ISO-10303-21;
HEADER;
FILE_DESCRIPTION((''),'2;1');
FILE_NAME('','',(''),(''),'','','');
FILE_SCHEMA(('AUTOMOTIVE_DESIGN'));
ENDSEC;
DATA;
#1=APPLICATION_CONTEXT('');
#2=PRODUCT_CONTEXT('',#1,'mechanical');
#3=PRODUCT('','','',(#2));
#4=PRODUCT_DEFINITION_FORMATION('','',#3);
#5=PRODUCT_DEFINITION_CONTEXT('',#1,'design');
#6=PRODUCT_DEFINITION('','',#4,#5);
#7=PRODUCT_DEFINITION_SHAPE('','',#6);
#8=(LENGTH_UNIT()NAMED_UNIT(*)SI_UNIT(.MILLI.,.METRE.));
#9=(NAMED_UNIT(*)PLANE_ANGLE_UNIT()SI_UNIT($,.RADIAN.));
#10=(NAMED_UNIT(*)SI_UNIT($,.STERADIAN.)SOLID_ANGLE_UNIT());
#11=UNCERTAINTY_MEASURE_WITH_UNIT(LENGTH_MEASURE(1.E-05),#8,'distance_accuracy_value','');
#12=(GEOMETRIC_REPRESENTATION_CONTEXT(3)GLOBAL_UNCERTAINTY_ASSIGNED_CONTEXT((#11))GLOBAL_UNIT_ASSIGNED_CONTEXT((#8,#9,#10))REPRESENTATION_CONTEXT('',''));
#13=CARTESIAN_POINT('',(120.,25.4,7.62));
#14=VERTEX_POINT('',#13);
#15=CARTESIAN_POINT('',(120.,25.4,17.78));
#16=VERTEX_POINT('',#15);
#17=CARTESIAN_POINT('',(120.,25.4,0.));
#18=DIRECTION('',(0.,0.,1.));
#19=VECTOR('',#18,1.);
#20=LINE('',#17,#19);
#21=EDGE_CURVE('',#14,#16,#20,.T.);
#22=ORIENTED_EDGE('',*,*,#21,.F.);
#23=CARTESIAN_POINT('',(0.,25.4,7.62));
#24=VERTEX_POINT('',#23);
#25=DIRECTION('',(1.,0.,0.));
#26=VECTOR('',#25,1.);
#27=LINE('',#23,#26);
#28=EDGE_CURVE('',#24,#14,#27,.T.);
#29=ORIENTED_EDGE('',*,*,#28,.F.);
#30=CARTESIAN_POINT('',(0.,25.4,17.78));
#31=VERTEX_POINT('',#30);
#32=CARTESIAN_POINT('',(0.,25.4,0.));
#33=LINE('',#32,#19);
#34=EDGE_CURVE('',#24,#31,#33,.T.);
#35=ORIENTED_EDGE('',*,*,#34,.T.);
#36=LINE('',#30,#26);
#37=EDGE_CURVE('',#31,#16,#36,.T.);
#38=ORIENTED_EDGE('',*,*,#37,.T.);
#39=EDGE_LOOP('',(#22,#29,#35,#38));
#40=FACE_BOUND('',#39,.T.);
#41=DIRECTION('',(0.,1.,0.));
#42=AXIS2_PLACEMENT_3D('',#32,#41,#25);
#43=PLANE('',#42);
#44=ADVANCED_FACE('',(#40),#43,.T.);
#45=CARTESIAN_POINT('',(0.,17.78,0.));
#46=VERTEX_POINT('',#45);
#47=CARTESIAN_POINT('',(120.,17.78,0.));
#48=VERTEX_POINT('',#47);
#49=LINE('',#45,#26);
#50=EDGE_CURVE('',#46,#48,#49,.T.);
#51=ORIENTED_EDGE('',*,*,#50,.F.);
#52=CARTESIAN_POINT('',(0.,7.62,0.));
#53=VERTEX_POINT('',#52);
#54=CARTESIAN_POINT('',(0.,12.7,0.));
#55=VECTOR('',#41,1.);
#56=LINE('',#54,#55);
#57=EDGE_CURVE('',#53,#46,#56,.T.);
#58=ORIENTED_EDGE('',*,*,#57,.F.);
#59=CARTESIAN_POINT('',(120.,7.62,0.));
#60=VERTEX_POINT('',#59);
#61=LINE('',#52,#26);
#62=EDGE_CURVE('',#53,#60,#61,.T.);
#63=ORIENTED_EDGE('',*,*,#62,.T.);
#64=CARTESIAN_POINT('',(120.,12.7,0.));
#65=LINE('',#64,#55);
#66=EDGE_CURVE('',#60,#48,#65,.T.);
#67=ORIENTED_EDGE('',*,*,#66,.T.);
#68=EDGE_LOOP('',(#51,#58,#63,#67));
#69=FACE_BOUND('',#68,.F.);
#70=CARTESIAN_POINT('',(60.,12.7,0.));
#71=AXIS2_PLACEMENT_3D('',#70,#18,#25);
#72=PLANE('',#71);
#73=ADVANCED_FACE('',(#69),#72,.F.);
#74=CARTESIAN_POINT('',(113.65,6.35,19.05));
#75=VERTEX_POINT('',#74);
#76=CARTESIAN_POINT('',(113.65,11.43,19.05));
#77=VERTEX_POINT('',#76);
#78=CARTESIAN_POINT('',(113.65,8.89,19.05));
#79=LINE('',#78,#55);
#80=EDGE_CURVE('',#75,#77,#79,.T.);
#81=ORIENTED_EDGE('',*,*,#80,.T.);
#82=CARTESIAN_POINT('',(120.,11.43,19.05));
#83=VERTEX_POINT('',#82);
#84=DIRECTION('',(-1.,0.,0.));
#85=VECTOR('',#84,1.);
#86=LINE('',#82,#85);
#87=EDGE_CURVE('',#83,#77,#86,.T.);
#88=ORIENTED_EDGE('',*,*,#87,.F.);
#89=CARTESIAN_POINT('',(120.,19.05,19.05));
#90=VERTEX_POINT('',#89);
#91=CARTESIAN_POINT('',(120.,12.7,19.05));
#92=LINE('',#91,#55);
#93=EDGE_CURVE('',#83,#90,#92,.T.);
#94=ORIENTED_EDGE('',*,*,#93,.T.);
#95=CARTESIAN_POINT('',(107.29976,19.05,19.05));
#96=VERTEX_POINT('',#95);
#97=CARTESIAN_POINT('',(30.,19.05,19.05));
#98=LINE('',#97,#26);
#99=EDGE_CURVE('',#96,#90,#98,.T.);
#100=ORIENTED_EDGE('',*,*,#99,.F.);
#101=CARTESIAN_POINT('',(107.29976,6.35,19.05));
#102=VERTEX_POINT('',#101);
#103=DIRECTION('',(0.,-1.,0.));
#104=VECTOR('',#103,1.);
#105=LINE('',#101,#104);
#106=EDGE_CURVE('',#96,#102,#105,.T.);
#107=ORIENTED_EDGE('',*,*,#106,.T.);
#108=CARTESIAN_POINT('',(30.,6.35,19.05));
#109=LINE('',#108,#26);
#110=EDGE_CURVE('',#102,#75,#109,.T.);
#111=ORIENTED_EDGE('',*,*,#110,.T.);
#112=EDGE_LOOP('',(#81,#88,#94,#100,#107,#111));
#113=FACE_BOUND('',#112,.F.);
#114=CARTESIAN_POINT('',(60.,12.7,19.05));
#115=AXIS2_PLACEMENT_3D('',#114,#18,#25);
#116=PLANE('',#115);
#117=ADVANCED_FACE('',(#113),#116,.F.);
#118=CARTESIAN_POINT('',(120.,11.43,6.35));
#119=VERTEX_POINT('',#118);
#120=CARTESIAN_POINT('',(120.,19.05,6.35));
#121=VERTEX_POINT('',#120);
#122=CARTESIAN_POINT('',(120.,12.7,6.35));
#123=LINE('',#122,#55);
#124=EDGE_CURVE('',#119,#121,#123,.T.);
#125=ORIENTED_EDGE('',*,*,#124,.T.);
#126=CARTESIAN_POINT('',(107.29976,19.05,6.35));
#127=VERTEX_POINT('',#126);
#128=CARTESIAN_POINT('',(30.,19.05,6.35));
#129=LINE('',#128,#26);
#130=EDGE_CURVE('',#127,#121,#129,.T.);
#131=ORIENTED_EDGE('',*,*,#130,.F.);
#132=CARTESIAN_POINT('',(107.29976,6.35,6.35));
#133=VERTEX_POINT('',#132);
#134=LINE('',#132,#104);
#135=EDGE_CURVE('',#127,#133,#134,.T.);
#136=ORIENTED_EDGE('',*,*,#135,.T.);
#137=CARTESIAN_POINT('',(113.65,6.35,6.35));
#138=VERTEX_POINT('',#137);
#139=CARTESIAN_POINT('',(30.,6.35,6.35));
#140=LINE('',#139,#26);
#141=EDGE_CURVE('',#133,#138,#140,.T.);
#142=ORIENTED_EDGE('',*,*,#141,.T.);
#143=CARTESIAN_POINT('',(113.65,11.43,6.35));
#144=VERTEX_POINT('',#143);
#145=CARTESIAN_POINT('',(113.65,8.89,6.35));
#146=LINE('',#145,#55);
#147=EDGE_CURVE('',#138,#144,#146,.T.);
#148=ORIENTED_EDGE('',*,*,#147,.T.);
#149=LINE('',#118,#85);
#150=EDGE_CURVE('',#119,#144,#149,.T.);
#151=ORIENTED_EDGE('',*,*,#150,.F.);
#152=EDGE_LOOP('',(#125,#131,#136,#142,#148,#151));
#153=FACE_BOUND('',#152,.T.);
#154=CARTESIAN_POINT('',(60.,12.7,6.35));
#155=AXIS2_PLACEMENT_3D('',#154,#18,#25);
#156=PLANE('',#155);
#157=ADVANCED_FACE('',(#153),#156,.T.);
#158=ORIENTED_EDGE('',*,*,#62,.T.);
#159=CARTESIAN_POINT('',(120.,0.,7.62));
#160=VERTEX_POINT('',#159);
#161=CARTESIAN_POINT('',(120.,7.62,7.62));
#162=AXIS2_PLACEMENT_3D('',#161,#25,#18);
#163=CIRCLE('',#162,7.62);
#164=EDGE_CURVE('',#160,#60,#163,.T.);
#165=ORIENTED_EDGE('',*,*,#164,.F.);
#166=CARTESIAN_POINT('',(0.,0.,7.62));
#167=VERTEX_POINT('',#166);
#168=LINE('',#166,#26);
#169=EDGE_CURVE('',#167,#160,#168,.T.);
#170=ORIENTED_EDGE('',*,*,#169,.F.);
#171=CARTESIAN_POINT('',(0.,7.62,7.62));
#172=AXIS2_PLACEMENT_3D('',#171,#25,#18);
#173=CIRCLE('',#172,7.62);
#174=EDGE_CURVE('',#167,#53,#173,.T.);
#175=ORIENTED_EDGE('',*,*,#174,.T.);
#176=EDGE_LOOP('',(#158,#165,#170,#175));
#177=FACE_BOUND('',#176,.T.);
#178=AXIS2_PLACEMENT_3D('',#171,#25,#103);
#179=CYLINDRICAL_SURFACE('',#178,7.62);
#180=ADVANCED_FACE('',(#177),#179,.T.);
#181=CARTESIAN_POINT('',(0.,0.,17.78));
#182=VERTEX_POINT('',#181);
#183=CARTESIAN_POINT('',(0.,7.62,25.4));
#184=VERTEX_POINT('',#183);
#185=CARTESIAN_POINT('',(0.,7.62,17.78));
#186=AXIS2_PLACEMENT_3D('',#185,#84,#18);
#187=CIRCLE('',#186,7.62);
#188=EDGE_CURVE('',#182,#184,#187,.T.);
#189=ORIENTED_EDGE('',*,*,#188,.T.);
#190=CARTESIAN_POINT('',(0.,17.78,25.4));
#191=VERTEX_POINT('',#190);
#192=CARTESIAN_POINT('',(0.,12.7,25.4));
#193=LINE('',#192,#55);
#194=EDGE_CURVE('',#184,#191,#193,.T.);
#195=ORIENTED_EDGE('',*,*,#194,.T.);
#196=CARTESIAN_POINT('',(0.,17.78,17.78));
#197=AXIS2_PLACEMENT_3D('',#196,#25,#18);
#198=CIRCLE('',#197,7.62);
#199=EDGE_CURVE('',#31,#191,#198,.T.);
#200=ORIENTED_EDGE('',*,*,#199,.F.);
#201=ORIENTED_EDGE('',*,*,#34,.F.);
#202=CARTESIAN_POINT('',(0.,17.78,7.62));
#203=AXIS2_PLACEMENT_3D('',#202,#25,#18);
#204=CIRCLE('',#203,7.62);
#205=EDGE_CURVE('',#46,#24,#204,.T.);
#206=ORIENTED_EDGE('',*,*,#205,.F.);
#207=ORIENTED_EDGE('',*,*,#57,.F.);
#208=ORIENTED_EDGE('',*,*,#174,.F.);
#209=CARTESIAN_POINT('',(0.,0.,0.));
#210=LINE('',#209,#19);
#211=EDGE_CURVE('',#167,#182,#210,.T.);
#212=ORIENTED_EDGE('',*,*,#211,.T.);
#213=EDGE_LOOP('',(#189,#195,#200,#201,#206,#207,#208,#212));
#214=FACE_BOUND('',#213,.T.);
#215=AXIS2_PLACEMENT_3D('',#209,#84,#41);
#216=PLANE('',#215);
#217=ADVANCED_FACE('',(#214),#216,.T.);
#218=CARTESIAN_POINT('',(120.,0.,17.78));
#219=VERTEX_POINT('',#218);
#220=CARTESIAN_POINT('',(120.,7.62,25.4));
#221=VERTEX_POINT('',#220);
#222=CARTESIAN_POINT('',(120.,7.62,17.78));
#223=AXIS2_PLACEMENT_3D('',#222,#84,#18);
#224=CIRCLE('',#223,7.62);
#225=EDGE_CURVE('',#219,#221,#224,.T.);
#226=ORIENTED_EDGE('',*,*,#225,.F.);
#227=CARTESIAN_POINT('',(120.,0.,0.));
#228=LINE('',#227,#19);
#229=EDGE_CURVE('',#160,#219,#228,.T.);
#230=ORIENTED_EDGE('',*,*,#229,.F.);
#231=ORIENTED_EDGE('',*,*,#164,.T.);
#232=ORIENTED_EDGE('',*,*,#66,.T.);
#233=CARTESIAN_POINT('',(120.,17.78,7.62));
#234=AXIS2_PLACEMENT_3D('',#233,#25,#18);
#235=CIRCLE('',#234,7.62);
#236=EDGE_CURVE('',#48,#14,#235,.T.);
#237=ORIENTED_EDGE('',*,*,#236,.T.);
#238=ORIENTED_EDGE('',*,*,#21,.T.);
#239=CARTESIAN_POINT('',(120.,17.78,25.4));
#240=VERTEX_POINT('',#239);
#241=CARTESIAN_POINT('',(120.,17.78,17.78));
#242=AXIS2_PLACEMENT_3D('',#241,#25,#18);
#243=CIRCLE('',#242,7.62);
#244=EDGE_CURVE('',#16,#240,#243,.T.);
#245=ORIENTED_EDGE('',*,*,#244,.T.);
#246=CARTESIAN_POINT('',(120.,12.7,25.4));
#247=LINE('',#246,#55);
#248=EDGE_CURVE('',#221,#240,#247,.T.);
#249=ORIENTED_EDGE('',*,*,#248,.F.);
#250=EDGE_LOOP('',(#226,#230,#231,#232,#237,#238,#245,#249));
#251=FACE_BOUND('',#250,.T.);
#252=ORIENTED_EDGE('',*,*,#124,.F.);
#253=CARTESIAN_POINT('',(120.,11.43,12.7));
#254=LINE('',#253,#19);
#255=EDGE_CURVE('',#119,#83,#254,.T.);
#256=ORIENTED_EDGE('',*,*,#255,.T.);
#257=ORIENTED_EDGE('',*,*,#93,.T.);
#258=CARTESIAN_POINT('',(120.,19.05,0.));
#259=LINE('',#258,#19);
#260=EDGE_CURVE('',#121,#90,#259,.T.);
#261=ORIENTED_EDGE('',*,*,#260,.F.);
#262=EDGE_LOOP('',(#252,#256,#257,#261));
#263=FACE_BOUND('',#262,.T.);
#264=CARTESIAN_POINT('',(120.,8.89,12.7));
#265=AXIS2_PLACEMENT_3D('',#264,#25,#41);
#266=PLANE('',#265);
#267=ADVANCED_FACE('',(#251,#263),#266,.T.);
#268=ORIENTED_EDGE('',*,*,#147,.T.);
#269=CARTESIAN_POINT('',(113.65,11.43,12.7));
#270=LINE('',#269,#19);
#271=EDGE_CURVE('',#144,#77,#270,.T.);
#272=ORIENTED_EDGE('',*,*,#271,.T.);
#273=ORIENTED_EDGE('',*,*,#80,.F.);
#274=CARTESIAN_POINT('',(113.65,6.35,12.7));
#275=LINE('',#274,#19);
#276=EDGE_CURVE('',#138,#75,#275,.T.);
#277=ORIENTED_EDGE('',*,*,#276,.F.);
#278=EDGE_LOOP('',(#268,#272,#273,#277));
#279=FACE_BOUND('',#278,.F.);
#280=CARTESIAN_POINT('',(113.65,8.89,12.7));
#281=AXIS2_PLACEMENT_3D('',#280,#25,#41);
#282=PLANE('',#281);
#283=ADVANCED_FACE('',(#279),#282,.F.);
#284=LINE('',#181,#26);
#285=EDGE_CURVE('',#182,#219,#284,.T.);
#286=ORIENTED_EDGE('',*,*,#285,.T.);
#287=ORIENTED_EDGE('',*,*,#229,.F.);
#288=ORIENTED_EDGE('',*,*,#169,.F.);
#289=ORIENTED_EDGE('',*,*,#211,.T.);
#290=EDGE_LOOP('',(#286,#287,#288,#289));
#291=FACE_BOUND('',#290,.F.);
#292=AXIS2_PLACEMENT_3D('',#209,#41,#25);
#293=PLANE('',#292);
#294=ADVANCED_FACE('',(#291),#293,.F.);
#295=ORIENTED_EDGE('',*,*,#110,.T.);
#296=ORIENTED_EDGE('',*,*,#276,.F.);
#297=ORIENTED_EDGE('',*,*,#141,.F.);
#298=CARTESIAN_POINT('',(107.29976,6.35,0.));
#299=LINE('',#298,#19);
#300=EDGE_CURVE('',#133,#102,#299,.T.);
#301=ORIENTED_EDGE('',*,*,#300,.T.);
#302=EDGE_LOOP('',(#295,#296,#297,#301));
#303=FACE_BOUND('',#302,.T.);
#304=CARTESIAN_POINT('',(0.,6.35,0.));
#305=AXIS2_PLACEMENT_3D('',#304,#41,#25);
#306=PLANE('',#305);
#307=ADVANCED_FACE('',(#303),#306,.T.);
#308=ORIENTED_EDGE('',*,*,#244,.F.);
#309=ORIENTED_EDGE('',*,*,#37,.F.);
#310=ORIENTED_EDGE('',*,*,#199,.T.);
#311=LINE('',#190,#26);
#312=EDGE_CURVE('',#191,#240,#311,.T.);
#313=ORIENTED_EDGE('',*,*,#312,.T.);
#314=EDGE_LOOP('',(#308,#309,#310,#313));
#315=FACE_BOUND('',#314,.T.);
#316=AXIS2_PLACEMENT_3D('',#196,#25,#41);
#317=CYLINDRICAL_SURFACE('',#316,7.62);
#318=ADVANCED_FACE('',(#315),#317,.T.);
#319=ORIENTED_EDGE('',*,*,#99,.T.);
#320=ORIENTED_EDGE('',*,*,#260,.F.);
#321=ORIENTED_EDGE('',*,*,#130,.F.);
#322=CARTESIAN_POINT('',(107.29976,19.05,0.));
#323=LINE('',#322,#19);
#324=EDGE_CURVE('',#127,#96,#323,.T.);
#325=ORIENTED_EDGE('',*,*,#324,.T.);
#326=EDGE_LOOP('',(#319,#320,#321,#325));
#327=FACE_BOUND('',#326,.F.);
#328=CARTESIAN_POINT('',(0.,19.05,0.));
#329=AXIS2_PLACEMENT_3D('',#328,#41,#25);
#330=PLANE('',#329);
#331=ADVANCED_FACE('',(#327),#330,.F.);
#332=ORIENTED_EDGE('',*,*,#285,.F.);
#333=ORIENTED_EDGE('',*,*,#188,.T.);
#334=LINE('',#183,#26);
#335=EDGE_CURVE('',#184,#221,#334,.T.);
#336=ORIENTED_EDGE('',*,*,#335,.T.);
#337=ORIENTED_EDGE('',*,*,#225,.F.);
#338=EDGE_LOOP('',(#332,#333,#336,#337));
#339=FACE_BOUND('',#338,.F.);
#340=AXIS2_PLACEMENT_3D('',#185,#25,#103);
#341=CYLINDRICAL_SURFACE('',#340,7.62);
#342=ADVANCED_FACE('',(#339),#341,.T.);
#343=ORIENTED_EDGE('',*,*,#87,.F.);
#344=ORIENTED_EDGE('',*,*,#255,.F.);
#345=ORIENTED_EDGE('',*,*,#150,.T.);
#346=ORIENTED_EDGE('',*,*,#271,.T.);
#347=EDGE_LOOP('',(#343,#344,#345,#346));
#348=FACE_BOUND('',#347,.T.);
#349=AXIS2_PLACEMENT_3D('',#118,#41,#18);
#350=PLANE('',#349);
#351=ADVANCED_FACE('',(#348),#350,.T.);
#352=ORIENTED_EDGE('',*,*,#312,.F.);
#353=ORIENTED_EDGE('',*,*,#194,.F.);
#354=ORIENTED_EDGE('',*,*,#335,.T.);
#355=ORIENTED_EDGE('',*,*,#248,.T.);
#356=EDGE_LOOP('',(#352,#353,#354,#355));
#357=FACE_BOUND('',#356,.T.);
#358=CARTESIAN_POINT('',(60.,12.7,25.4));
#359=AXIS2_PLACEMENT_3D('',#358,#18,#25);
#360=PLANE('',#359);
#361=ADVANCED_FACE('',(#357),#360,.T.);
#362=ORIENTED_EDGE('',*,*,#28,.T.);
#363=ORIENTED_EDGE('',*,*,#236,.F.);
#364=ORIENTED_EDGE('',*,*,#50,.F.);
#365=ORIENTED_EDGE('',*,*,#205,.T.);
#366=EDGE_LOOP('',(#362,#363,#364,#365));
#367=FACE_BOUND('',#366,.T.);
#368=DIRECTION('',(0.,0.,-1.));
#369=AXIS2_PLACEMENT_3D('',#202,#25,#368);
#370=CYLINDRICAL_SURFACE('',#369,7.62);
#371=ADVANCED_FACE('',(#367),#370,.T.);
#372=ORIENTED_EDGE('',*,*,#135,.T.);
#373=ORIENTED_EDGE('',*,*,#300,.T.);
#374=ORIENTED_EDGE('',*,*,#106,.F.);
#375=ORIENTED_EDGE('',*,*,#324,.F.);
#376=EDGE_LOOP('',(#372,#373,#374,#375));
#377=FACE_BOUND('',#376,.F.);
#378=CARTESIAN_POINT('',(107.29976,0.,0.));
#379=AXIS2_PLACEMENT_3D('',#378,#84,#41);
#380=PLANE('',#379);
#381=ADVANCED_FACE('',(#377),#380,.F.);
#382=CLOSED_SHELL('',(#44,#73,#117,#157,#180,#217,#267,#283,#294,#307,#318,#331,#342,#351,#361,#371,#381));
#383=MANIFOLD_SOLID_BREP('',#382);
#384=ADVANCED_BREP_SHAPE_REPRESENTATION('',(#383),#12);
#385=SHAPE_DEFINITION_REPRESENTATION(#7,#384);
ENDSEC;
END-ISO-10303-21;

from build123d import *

# Parameters (mm, degrees)
F0_W     = 120
F0_H     = 25.4
F1_DEPTH = 25.4
F2_T     = -6.35
F3_W     = 5.079999955
F3_H     = 12.7
F4_DEPTH = 6.35
F5_DEPTH = 100.94976
F6_R     = 7.62


with BuildPart() as f1:
    # F0 (on Top) → F1 (new body)
    with BuildSketch(Plane.XY):
        with Locations((60, 12.7)):
            Rectangle(F0_W, F0_H)
    extrude(amount=F1_DEPTH)

    # F2
    f2_openings = [f1.faces().sort_by_distance(p)[0] for p in [
        (120, 12.7, 12.7),
    ]]
    offset(amount=F2_T, openings=f2_openings)

    # F3 (on face) → F4 (join)
    with BuildSketch(Plane.YZ.offset(120)):
        with Locations((8.8899999775, 12.7)):
            Rectangle(F3_W, F3_H)
    extrude(amount=-F4_DEPTH)

    # F5 (add): a face of the model
    f5_faces = [f1.faces().sort_by_distance(p)[0] for p in [
        (6.35, 12.7, 12.7),
    ]]
    extrude(f5_faces, amount=F5_DEPTH)

    # F6
    f6_edges = [f1.edges().sort_by_distance(p)[0] for p in [
        (60, 25.4, 25.4),
        (60, 0, 25.4),
        (60, 0, 0),
        (60, 25.4, 0),
    ]]
    fillet(f6_edges, radius=F6_R)


solid = f1.part
